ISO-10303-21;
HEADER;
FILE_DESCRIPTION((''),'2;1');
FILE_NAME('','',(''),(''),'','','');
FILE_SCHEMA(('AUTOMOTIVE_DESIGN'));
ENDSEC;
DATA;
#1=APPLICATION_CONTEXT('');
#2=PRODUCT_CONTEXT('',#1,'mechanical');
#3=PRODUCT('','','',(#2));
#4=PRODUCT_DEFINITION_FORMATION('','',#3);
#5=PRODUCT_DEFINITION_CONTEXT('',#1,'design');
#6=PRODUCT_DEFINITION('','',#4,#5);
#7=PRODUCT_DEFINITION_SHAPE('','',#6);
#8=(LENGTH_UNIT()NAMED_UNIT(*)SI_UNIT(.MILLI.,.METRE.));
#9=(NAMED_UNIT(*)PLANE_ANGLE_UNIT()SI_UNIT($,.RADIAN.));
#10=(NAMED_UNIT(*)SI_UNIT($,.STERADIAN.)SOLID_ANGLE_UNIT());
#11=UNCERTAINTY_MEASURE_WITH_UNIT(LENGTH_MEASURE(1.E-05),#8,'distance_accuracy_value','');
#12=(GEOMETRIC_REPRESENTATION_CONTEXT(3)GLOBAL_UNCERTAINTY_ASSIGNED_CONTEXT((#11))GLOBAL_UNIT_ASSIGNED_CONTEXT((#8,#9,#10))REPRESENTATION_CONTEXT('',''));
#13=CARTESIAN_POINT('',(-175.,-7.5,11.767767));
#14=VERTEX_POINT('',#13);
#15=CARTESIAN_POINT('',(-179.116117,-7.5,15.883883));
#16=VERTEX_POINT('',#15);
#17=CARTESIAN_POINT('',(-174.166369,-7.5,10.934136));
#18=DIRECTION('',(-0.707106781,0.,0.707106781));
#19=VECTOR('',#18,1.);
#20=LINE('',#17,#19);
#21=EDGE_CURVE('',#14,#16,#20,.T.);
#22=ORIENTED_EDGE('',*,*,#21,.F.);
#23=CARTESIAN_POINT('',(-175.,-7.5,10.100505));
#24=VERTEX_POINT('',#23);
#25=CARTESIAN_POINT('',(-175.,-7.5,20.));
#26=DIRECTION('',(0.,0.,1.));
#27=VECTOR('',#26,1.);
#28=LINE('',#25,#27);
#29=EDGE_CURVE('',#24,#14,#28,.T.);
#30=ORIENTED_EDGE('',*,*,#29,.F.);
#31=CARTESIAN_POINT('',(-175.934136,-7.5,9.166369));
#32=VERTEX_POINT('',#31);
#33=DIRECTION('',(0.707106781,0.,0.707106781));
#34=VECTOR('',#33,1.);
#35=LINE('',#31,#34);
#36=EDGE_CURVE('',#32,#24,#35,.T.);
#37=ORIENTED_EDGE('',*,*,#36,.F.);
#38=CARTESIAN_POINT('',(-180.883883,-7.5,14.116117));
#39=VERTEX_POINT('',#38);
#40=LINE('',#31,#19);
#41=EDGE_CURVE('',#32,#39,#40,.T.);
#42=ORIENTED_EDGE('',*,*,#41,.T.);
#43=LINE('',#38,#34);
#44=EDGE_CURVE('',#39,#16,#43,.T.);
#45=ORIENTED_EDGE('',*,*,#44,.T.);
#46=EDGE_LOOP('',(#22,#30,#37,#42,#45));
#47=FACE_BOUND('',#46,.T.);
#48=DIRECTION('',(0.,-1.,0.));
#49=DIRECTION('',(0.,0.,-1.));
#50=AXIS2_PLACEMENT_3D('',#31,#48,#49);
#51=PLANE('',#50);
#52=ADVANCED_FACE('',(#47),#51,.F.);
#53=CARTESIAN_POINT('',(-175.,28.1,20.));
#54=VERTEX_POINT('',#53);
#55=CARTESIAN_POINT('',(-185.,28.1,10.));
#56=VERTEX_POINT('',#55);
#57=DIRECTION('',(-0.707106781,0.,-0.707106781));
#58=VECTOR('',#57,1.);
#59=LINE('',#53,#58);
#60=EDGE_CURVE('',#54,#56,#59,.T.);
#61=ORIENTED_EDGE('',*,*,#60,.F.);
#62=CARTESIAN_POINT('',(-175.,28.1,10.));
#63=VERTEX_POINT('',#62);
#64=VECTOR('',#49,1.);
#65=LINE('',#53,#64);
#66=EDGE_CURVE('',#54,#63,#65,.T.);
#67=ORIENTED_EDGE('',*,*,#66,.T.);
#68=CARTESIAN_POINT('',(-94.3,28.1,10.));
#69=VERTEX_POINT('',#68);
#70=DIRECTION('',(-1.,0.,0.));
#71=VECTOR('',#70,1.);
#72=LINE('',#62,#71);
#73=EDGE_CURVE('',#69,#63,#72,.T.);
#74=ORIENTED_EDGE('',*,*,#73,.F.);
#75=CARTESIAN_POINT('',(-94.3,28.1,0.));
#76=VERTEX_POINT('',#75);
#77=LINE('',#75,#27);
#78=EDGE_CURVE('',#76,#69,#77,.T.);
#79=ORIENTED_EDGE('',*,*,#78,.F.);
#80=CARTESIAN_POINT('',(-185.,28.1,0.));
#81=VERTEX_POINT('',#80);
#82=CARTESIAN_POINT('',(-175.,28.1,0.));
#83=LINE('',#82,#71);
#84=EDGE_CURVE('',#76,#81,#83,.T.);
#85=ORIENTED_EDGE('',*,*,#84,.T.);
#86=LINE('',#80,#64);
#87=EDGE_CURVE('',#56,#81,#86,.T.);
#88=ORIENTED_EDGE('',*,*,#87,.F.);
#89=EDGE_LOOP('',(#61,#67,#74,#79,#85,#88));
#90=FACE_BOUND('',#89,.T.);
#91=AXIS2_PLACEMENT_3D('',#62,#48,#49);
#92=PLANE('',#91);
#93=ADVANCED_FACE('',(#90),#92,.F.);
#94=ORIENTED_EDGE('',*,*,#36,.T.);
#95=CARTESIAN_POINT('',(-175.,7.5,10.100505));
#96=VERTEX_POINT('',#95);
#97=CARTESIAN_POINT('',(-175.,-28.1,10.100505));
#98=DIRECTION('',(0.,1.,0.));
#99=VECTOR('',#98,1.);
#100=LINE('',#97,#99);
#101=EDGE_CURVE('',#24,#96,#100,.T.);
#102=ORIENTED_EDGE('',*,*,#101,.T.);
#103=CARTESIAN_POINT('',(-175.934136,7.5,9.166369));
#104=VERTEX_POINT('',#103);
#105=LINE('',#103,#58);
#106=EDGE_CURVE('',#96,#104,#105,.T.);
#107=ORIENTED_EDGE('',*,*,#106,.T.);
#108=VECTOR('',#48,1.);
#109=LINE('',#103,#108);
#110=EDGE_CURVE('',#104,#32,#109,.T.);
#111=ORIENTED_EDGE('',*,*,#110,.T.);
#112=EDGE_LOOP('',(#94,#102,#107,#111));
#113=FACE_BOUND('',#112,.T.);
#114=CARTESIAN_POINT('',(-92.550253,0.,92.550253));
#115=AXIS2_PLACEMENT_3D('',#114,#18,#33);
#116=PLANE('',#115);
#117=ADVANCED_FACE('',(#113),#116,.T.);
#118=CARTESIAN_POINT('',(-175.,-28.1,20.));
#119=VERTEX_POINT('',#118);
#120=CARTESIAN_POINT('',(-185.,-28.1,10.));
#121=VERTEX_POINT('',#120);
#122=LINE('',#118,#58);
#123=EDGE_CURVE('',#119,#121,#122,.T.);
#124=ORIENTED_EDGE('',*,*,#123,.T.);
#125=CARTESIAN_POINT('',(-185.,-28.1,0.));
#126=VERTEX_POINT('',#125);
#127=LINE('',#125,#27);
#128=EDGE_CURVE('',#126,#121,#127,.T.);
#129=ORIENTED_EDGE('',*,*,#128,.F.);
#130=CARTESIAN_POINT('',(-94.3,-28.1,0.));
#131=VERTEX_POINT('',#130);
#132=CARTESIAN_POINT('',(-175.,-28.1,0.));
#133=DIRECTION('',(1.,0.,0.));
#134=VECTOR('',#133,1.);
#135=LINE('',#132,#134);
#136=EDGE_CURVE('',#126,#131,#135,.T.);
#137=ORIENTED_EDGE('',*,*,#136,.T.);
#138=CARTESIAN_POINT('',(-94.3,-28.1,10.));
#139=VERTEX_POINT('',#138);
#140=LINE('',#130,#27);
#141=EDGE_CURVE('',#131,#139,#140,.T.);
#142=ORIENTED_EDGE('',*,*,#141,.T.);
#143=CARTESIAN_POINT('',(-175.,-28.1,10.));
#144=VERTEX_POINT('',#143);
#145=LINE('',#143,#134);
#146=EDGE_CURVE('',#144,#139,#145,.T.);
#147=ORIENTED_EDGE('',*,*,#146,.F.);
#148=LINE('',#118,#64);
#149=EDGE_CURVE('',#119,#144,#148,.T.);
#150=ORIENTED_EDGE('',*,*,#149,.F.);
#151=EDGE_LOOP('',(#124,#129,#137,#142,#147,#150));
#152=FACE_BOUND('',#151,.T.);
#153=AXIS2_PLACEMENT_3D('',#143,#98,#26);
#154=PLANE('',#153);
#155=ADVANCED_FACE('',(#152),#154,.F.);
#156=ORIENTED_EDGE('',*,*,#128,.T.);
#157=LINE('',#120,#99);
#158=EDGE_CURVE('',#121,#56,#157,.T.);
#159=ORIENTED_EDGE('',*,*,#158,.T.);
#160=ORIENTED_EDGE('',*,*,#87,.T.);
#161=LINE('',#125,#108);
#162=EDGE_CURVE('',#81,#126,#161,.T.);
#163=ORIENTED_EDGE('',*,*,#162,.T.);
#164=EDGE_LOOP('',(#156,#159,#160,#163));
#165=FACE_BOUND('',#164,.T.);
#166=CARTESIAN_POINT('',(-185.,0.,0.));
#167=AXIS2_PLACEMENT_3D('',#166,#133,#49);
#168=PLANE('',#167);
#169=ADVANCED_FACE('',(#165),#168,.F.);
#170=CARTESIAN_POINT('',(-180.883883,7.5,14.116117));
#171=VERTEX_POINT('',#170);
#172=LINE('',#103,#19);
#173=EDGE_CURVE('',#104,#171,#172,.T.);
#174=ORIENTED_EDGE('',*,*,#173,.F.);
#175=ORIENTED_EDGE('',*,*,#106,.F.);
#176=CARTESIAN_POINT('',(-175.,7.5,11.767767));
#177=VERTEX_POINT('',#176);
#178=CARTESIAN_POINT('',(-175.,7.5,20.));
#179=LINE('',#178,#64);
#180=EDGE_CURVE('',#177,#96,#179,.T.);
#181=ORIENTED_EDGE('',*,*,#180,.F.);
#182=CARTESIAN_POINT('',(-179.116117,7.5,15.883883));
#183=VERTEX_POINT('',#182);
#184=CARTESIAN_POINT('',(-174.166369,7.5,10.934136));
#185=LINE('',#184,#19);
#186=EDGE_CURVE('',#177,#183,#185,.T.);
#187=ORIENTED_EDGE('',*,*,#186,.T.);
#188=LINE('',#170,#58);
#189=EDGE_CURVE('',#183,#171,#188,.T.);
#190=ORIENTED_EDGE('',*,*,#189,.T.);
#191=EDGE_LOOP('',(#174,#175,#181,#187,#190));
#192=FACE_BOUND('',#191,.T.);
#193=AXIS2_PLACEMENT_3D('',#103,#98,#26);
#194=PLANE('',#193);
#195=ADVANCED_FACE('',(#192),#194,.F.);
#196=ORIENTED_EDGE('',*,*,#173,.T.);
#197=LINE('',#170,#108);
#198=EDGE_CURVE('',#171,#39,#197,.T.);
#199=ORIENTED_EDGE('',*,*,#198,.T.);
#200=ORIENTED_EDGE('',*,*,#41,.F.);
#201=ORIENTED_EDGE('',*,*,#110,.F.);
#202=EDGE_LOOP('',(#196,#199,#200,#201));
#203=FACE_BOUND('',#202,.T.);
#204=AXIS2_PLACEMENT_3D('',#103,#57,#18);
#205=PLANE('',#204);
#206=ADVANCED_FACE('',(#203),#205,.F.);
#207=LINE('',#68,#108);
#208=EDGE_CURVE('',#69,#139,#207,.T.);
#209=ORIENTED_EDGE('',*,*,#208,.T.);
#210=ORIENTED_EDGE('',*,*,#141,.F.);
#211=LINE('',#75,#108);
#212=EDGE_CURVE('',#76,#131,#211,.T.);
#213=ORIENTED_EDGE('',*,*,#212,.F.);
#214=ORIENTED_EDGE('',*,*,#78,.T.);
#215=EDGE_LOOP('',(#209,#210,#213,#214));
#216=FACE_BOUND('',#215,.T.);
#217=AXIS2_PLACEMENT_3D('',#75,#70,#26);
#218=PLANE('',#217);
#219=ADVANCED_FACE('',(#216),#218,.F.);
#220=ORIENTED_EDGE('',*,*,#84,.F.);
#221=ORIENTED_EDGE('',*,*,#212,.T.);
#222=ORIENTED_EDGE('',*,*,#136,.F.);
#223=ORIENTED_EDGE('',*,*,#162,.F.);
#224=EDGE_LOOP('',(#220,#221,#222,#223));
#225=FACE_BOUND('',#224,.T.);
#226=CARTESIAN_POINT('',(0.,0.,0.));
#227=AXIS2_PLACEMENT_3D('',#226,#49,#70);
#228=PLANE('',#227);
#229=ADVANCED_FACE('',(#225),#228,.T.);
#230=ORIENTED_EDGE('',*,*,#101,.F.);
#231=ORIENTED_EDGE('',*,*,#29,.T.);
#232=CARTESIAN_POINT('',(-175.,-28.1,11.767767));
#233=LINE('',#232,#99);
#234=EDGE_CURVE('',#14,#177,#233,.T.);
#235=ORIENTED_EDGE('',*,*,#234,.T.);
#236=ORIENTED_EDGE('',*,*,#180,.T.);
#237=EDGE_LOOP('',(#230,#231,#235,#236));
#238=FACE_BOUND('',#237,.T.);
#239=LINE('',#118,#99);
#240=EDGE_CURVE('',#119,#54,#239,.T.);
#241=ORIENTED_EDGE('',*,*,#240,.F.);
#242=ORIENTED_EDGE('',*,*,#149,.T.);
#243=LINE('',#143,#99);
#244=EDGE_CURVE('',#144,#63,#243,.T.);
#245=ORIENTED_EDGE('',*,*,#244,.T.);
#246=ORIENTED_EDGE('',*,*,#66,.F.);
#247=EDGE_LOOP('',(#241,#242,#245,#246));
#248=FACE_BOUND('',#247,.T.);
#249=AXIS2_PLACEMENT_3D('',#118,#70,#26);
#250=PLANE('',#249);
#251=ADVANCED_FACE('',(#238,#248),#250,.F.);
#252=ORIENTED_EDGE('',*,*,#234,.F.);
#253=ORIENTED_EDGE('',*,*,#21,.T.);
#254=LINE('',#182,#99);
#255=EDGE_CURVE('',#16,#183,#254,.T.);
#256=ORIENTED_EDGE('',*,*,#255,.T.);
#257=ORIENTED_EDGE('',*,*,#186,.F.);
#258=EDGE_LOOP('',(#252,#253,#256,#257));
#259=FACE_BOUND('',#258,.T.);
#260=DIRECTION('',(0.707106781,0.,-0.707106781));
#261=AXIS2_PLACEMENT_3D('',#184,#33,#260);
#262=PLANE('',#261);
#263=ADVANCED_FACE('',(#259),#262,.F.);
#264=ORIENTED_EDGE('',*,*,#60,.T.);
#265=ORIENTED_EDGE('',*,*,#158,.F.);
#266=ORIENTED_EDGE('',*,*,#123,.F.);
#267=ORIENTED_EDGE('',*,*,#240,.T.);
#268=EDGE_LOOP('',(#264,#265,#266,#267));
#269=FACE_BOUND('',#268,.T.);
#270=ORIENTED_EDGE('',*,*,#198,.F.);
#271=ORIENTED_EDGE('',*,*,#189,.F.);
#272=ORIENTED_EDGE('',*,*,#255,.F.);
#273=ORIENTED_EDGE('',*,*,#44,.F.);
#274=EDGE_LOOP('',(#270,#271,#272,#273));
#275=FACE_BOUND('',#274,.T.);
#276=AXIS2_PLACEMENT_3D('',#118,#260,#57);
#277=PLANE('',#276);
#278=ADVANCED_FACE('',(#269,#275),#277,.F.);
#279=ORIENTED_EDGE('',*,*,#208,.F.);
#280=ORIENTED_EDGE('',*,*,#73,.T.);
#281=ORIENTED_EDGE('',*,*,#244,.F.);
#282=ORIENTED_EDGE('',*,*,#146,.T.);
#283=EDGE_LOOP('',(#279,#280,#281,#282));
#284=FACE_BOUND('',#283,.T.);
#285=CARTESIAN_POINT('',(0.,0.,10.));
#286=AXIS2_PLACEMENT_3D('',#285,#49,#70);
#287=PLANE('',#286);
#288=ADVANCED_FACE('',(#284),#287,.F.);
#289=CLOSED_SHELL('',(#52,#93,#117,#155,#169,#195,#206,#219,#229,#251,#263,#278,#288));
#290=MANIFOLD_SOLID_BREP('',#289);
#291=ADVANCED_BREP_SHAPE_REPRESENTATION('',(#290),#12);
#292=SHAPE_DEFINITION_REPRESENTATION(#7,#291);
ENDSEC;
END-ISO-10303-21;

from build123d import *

# Parameters (mm, degrees)
SKETCH1_W           = 350
SKETCH1_H           = 56.2
BOSS_EXTRUDE1_DEPTH = 10
SKETCH2_W           = 56.2
SKETCH2_H           = 56.2
CUT_EXTRUDE1_DEPTH  = 5
SKETCH3_W           = 10
SKETCH3_H           = 56.2
BOSS_EXTRUDE2_DEPTH = 10
SKETCH4_W           = 10
SKETCH4_H           = 56.2
BOSS_EXTRUDE3_DEPTH = 10
CUT_EXTRUDE2_DEPTH  = 56.2
SKETCH6_W           = 10
SKETCH6_H           = 56.2
BOSS_EXTRUDE4_DEPTH = 10
SKETCH7_W           = 10
SKETCH7_H           = 56.2
BOSS_EXTRUDE5_DEPTH = 10
CUT_EXTRUDE3_DEPTH  = 56.2
SKETCH9_W           = 30
SKETCH9_H           = 30
CUT_EXTRUDE4_DEPTH  = 5
SKETCH10_R          = 3
CUT_EXTRUDE5_DEPTH  = 5
SKETCH11_W          = 2.5
SKETCH11_H          = 15
CUT_EXTRUDE6_DEPTH  = 7
SKETCH12_W          = 2.5
SKETCH12_H          = 15
CUT_EXTRUDE7_DEPTH  = 7
SKETCH14_W          = 279.3
SKETCH14_H          = 56.2
CUT_EXTRUDE10_DEPTH = 10


with BuildPart() as part:
    # Sketch1 → Boss-Extrude1 (new body)
    with BuildSketch(Plane.XY):
        Rectangle(SKETCH1_W, SKETCH1_H)
    extrude(amount=BOSS_EXTRUDE1_DEPTH)

    # Sketch2 → Cut-Extrude1 (cut)
    with BuildSketch(Plane.XY.offset(10)):
        Rectangle(SKETCH2_W, SKETCH2_H)
    extrude(amount=-CUT_EXTRUDE1_DEPTH, mode=Mode.SUBTRACT)

    # Sketch3 → Boss-Extrude2 (add)
    with BuildSketch(Plane(origin=(175, 0, 0), x_dir=(0, 0, -1), z_dir=(1, 0, 0))):
        with Locations((-5, 0)):
            Rectangle(SKETCH3_W, SKETCH3_H)
    extrude(amount=BOSS_EXTRUDE2_DEPTH)

    # Sketch4 → Boss-Extrude3 (add)
    with BuildSketch(Plane.XY.offset(10)):
        with Locations((180, 0)):
            Rectangle(SKETCH4_W, SKETCH4_H)
    extrude(amount=BOSS_EXTRUDE3_DEPTH)

    # Sketch5 → Cut-Extrude2 (cut)
    with BuildSketch(Plane(origin=(0, 28.1, 0), x_dir=(1, 0, 0), z_dir=(0, 1, 0))):
        Polygon((175, -20), (185, -10), (185, -20), align=None)
    extrude(amount=-CUT_EXTRUDE2_DEPTH, mode=Mode.SUBTRACT)

    # Sketch6 → Boss-Extrude4 (add)
    with BuildSketch(Plane.ZY.offset(175)):
        with Locations((5, 0)):
            Rectangle(SKETCH6_W, SKETCH6_H)
    extrude(amount=BOSS_EXTRUDE4_DEPTH)

    # Sketch7 → Boss-Extrude5 (add)
    with BuildSketch(Plane.XY.offset(10)):
        with Locations((-180, 0)):
            Rectangle(SKETCH7_W, SKETCH7_H)
    extrude(amount=BOSS_EXTRUDE5_DEPTH)

    # Sketch8 → Cut-Extrude3 (cut)
    with BuildSketch(Plane(origin=(0, 28.1, 0), x_dir=(1, 0, 0), z_dir=(0, 1, 0))):
        Polygon((-175, -20), (-185, -10), (-185, -20), align=None)
    extrude(amount=-CUT_EXTRUDE3_DEPTH, mode=Mode.SUBTRACT)

    # Sketch9 → Cut-Extrude4 (cut)
    with BuildSketch(Plane.XY.offset(5)):
        Rectangle(SKETCH9_W, SKETCH9_H)
    extrude(amount=-CUT_EXTRUDE4_DEPTH, mode=Mode.SUBTRACT)

    # Sketch10 → Cut-Extrude5 (cut)
    with BuildSketch(Plane.XY.offset(5)):
        with Locations((21.55, 21.55)):
            Circle(SKETCH10_R)
        with Locations((-21.55, -21.55)):
            Circle(SKETCH10_R)
        with Locations((-21.55, 21.55)):
            Circle(SKETCH10_R)
        with Locations((21.55, -21.55)):
            Circle(SKETCH10_R)
    extrude(amount=-CUT_EXTRUDE5_DEPTH, mode=Mode.SUBTRACT)

    # Sketch11 → Cut-Extrude6 (cut)
    with BuildSketch(Plane(origin=(97.5, 0, 97.5), x_dir=(0.7071067811865478, 0, -0.7071067811865472), z_dir=(0.7071067811865472, 0, 0.7071067811865478))):
        with Locations((116.672618896, 0)):
            Rectangle(SKETCH11_W, SKETCH11_H)
    extrude(amount=-CUT_EXTRUDE6_DEPTH, mode=Mode.SUBTRACT)

    # Sketch12 → Cut-Extrude7 (cut)
    with BuildSketch(Plane(origin=(-97.5, 0, 97.5), x_dir=(0.7071067811865478, 0, 0.7071067811865472), z_dir=(-0.7071067811865472, 0, 0.7071067811865478))):
        with Locations((-116.672618896, 0)):
            Rectangle(SKETCH12_W, SKETCH12_H)
    extrude(amount=-CUT_EXTRUDE7_DEPTH, mode=Mode.SUBTRACT)

    # Sketch14 → Cut-Extrude10 (cut)
    with BuildSketch(Plane.XY.offset(10)):
        with Locations((45.35, 0)):
            Rectangle(SKETCH14_W, SKETCH14_H)
    extrude(amount=-CUT_EXTRUDE10_DEPTH, mode=Mode.SUBTRACT)


with BuildPart() as body_2:
    # of the pieces the cut leaves, the one that is kept (cut_extrude10_keep)
    add(part.part.solids().sort_by_distance((-185, -28.1, 0))[0])


solid = body_2.part
